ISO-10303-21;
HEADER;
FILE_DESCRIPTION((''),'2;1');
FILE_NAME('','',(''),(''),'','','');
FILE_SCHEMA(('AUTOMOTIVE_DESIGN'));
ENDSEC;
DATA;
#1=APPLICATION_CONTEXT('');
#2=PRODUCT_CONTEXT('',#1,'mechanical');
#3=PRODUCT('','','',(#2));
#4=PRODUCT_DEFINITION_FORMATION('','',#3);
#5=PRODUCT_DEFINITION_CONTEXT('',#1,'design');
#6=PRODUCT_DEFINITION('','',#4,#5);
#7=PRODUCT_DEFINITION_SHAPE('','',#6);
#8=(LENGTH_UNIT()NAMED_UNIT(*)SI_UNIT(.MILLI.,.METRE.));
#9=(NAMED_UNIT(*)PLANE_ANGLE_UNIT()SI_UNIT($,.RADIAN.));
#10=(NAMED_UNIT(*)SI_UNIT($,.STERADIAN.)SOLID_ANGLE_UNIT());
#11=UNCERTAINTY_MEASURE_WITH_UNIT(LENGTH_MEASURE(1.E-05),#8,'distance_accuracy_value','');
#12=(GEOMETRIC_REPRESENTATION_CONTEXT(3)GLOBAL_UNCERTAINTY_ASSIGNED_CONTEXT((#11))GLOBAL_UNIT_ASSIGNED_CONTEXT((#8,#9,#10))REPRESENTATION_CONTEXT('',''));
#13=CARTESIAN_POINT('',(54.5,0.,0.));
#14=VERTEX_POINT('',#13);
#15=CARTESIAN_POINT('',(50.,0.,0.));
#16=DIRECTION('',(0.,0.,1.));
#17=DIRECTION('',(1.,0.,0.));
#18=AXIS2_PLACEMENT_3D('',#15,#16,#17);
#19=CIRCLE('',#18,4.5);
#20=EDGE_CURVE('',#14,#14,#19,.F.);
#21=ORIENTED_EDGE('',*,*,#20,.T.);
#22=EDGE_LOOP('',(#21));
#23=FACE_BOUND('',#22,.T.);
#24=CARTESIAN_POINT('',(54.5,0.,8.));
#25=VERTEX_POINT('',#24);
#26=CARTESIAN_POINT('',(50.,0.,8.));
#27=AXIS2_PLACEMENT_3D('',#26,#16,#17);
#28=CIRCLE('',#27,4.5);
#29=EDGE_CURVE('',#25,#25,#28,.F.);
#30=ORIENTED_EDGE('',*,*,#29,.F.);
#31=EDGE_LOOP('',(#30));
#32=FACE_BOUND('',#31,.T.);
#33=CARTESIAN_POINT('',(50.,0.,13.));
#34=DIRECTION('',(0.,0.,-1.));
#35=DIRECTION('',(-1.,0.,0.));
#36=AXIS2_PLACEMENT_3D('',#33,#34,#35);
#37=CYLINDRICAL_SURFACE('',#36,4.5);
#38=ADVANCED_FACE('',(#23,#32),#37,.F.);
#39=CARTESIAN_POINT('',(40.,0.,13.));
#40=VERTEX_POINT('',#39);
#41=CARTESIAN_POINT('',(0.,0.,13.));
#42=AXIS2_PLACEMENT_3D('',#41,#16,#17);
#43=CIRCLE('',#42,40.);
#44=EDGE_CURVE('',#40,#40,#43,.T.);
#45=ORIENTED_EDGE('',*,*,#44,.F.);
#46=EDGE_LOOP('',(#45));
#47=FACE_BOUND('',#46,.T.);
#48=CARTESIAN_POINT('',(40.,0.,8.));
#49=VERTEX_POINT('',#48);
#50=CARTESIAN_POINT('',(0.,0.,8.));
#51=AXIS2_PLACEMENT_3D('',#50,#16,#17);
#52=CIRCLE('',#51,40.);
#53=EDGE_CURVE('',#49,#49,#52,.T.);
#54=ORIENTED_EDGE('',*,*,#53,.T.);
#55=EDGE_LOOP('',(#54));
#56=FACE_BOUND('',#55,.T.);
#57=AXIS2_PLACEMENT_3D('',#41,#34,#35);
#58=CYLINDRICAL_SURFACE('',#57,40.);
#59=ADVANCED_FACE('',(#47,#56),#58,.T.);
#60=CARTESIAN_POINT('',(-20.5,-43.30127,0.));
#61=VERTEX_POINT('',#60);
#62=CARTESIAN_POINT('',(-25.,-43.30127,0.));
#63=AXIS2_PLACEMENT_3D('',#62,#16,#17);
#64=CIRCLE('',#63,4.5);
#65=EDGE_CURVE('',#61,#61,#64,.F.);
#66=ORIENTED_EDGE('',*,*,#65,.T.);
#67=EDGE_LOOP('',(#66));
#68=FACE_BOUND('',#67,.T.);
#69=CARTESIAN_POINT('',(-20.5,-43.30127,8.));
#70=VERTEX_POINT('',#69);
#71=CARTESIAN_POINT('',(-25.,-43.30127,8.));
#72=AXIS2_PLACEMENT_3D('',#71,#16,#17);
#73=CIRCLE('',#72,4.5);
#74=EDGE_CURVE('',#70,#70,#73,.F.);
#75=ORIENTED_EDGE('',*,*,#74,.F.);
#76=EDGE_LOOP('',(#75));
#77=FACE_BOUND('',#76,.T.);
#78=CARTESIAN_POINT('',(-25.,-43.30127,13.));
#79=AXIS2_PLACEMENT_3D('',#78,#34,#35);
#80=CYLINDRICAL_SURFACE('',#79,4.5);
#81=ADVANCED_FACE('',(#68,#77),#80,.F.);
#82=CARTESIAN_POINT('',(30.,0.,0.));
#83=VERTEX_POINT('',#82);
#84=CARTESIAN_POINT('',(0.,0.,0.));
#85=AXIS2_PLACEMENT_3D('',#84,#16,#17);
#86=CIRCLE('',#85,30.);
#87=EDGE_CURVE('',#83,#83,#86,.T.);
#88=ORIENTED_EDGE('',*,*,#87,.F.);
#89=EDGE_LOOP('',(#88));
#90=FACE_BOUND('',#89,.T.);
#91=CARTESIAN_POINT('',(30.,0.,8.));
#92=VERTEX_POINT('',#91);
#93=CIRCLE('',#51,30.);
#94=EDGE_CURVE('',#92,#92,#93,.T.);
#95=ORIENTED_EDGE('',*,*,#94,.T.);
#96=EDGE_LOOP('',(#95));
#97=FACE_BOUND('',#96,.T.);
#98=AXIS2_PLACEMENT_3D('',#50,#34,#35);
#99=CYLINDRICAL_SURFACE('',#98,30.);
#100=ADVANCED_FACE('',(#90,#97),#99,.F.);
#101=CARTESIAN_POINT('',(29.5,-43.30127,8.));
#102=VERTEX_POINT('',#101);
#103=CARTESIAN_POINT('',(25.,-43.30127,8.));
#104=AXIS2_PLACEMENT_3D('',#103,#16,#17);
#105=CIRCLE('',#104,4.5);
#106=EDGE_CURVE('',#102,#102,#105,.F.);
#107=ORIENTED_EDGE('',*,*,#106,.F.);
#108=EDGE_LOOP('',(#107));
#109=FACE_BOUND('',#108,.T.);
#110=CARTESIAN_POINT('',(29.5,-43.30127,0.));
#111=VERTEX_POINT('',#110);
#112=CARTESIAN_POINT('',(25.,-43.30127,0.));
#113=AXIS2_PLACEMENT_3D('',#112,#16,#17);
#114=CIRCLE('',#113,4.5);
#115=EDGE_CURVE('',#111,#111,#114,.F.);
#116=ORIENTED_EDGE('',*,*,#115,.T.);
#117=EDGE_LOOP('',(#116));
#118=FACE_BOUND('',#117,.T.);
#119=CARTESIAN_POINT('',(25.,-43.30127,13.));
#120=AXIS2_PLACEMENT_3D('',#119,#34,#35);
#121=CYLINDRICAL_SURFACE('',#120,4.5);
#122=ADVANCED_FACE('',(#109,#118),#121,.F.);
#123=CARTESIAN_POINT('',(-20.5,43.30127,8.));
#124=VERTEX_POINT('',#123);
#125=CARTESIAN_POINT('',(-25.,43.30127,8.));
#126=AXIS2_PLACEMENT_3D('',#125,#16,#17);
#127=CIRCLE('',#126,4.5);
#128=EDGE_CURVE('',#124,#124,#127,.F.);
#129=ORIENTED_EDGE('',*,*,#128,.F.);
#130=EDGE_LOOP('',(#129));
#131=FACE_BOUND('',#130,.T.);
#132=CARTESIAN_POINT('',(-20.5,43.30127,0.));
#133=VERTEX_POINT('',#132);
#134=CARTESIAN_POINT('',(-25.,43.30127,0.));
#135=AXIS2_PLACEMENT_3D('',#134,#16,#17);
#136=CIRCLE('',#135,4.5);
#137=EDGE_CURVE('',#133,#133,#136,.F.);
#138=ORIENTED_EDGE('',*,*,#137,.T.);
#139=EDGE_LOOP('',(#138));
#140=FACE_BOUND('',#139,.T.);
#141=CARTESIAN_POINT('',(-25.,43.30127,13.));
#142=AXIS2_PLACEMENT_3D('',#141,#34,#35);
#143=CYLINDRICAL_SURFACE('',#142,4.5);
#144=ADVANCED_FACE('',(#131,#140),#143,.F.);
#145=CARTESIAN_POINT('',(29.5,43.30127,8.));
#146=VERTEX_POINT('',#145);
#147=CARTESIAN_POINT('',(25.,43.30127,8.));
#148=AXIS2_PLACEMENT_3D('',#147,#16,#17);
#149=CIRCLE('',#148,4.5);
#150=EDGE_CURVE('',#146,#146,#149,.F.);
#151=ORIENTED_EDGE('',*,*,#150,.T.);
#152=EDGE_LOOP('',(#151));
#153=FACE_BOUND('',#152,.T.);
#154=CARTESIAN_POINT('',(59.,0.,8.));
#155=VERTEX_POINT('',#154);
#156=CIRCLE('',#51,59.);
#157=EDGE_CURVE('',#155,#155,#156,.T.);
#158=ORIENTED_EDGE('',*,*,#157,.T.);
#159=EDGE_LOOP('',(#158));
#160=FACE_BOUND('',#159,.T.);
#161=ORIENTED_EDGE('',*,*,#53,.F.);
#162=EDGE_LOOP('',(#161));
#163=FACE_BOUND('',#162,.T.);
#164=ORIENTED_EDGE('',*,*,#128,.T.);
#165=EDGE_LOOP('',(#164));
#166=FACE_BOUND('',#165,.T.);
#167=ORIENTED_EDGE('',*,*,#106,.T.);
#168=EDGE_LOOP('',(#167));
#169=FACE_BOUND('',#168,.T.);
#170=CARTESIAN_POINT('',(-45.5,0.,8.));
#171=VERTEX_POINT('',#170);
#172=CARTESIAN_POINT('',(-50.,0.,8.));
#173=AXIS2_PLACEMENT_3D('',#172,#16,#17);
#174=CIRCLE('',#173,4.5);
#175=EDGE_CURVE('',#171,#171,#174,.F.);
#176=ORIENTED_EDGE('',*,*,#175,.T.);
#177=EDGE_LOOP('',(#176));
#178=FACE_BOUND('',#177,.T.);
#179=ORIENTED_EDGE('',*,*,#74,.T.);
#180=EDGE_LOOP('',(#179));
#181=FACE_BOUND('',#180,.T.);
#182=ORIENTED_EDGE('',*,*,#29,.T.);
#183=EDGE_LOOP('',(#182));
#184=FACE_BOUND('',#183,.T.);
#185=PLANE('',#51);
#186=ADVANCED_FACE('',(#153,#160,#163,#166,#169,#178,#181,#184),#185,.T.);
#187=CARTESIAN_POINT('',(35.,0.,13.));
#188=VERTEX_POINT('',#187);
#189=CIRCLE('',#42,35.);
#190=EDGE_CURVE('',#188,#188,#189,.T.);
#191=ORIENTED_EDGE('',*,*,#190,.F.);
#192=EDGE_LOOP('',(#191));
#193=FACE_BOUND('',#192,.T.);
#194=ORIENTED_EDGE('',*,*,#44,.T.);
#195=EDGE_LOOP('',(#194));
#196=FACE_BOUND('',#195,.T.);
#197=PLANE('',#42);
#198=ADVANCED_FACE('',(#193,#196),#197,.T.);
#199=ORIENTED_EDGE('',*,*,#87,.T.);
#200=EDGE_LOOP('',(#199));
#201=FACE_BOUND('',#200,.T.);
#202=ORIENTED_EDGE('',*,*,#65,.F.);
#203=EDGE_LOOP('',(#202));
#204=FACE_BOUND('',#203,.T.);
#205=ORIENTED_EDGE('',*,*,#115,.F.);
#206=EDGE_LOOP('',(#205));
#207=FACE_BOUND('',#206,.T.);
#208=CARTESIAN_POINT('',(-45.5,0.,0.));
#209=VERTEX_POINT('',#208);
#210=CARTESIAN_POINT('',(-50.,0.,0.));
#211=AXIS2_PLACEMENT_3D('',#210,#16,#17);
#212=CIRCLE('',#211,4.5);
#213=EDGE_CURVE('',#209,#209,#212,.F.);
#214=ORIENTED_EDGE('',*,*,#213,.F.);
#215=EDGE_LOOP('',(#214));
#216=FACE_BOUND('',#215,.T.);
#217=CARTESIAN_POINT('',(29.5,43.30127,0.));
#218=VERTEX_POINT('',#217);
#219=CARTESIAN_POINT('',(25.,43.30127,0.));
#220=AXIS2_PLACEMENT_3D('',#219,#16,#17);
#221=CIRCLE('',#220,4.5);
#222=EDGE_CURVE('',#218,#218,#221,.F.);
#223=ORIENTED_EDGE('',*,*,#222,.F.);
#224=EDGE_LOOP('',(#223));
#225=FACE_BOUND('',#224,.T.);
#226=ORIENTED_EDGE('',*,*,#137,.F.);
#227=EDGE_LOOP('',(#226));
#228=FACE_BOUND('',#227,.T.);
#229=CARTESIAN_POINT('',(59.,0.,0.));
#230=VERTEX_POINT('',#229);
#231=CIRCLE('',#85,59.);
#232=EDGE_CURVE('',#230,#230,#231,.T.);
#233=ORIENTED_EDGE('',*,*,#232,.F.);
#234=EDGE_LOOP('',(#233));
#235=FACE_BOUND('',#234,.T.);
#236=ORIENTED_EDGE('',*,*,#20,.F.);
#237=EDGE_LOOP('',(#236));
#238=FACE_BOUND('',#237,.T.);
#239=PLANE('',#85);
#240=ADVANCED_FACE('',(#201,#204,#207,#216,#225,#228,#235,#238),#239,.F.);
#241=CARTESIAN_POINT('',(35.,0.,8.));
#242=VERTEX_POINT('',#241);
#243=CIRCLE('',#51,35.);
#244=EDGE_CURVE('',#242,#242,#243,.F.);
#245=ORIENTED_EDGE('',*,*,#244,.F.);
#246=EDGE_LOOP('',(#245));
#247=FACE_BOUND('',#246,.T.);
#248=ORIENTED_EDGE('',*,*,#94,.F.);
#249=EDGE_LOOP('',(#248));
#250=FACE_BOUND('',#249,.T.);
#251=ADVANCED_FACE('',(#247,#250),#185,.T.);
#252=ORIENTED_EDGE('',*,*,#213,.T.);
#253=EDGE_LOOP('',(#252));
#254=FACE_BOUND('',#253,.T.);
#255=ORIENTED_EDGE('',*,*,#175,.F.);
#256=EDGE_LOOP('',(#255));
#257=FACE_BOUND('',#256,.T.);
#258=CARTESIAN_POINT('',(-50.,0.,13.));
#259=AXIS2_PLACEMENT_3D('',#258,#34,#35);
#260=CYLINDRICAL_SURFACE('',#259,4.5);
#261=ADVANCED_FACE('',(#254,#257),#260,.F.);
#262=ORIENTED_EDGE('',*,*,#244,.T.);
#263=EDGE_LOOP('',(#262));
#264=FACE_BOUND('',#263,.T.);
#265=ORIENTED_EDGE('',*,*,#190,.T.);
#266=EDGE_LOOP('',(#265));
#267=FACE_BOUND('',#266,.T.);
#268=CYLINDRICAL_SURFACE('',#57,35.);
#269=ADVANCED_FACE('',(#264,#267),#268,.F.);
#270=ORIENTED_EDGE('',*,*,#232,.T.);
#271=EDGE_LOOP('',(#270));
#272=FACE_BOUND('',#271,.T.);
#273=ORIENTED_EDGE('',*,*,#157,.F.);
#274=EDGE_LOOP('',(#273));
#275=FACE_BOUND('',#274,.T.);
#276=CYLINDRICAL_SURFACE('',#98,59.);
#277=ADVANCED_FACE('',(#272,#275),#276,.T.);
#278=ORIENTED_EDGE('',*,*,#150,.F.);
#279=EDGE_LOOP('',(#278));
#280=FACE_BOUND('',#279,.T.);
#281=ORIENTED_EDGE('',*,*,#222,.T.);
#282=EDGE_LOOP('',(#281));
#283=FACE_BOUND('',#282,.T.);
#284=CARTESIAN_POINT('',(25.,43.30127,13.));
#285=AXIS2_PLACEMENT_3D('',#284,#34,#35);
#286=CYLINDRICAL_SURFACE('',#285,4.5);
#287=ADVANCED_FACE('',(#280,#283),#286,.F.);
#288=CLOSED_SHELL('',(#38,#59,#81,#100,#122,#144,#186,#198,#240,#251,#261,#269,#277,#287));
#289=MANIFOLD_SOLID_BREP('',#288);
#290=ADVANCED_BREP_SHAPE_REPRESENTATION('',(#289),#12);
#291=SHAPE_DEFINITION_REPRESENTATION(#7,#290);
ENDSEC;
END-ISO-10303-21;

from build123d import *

# Parameters (mm, degrees)
SKETCH_1_R                      = 59
SKETCH_1_R_2                    = 30
EXTRUDE_1_DEPTH                 = 8
SKETCH_2_R                      = 40
SKETCH_2_R_2                    = 35
EXTRUDE_2_DEPTH                 = 5
CUT_EXTRUDE_1_REACH             = 85.821
SKETCH_3_R                      = 4.5
CUT_EXTRUDE_1_DIRECTION_2_DEPTH = 84.821238359


with BuildPart() as part:
    # 草图1 → 凸台-拉伸1 (new body)
    with BuildSketch(Plane.XY):
        Circle(SKETCH_1_R)
        Circle(SKETCH_1_R_2, mode=Mode.SUBTRACT)
    extrude(amount=EXTRUDE_1_DEPTH)

    # 草图2 → 凸台-拉伸2 (add)
    with BuildSketch(Plane.XY.offset(8)):
        Circle(SKETCH_2_R)
        Circle(SKETCH_2_R_2, mode=Mode.SUBTRACT)
    extrude(amount=EXTRUDE_2_DEPTH)

    # 草图3 → 切除-拉伸1 (cut, up to next)
    with BuildSketch(Plane.XY.offset(8), mode=Mode.PRIVATE) as cut_extrude_1_sk1:
        with Locations((25, 43.301270189)):
            Circle(SKETCH_3_R)
    cut_extrude_1_tool1 = extrude(cut_extrude_1_sk1.sketch, amount=-CUT_EXTRUDE_1_REACH, mode=Mode.PRIVATE) & part.part
    # 草图3 → 切除-拉伸1 (cut, up to next)
    with BuildSketch(Plane.XY.offset(8), mode=Mode.PRIVATE) as cut_extrude_1_sk2:
        with Locations((50, 0)):
            Circle(SKETCH_3_R)
    cut_extrude_1_tool2 = extrude(cut_extrude_1_sk2.sketch, amount=-CUT_EXTRUDE_1_REACH, mode=Mode.PRIVATE) & part.part
    # 草图3 → 切除-拉伸1 (cut, up to next)
    with BuildSketch(Plane.XY.offset(8), mode=Mode.PRIVATE) as cut_extrude_1_sk3:
        with Locations((25, -43.301270189)):
            Circle(SKETCH_3_R)
    cut_extrude_1_tool3 = extrude(cut_extrude_1_sk3.sketch, amount=-CUT_EXTRUDE_1_REACH, mode=Mode.PRIVATE) & part.part
    # 草图3 → 切除-拉伸1 (cut, up to next)
    with BuildSketch(Plane.XY.offset(8), mode=Mode.PRIVATE) as cut_extrude_1_sk4:
        with Locations((-25, -43.301270189)):
            Circle(SKETCH_3_R)
    cut_extrude_1_tool4 = extrude(cut_extrude_1_sk4.sketch, amount=-CUT_EXTRUDE_1_REACH, mode=Mode.PRIVATE) & part.part
    # 草图3 → 切除-拉伸1 (cut, up to next)
    with BuildSketch(Plane.XY.offset(8), mode=Mode.PRIVATE) as cut_extrude_1_sk5:
        with Locations((-50, 0)):
            Circle(SKETCH_3_R)
    cut_extrude_1_tool5 = extrude(cut_extrude_1_sk5.sketch, amount=-CUT_EXTRUDE_1_REACH, mode=Mode.PRIVATE) & part.part
    # 草图3 → 切除-拉伸1 (cut, up to next)
    with BuildSketch(Plane.XY.offset(8), mode=Mode.PRIVATE) as cut_extrude_1_sk6:
        with Locations((-25, 43.301270189)):
            Circle(SKETCH_3_R)
    cut_extrude_1_tool6 = extrude(cut_extrude_1_sk6.sketch, amount=-CUT_EXTRUDE_1_REACH, mode=Mode.PRIVATE) & part.part
    add(cut_extrude_1_tool1.solids().sort_by_distance((25, 43.30127, 8))[0], mode=Mode.SUBTRACT)
    add(cut_extrude_1_tool2.solids().sort_by_distance((50, 0, 8))[0], mode=Mode.SUBTRACT)
    add(cut_extrude_1_tool3.solids().sort_by_distance((25, -43.30127, 8))[0], mode=Mode.SUBTRACT)
    add(cut_extrude_1_tool4.solids().sort_by_distance((-25, -43.30127, 8))[0], mode=Mode.SUBTRACT)
    add(cut_extrude_1_tool5.solids().sort_by_distance((-50, 0, 8))[0], mode=Mode.SUBTRACT)
    add(cut_extrude_1_tool6.solids().sort_by_distance((-25, 43.30127, 8))[0], mode=Mode.SUBTRACT)

    # 草图3 → 切除-拉伸1 direction 2 (cut)
    with BuildSketch(Plane.XY.offset(8)):
        with Locations((25, 43.301270189)):
            Circle(SKETCH_3_R)
        with Locations((50, 0)):
            Circle(SKETCH_3_R)
        with Locations((25, -43.301270189)):
            Circle(SKETCH_3_R)
        with Locations((-25, -43.301270189)):
            Circle(SKETCH_3_R)
        with Locations((-50, 0)):
            Circle(SKETCH_3_R)
        with Locations((-25, 43.301270189)):
            Circle(SKETCH_3_R)
    extrude(amount=CUT_EXTRUDE_1_DIRECTION_2_DEPTH, mode=Mode.SUBTRACT)


solid = part.part
